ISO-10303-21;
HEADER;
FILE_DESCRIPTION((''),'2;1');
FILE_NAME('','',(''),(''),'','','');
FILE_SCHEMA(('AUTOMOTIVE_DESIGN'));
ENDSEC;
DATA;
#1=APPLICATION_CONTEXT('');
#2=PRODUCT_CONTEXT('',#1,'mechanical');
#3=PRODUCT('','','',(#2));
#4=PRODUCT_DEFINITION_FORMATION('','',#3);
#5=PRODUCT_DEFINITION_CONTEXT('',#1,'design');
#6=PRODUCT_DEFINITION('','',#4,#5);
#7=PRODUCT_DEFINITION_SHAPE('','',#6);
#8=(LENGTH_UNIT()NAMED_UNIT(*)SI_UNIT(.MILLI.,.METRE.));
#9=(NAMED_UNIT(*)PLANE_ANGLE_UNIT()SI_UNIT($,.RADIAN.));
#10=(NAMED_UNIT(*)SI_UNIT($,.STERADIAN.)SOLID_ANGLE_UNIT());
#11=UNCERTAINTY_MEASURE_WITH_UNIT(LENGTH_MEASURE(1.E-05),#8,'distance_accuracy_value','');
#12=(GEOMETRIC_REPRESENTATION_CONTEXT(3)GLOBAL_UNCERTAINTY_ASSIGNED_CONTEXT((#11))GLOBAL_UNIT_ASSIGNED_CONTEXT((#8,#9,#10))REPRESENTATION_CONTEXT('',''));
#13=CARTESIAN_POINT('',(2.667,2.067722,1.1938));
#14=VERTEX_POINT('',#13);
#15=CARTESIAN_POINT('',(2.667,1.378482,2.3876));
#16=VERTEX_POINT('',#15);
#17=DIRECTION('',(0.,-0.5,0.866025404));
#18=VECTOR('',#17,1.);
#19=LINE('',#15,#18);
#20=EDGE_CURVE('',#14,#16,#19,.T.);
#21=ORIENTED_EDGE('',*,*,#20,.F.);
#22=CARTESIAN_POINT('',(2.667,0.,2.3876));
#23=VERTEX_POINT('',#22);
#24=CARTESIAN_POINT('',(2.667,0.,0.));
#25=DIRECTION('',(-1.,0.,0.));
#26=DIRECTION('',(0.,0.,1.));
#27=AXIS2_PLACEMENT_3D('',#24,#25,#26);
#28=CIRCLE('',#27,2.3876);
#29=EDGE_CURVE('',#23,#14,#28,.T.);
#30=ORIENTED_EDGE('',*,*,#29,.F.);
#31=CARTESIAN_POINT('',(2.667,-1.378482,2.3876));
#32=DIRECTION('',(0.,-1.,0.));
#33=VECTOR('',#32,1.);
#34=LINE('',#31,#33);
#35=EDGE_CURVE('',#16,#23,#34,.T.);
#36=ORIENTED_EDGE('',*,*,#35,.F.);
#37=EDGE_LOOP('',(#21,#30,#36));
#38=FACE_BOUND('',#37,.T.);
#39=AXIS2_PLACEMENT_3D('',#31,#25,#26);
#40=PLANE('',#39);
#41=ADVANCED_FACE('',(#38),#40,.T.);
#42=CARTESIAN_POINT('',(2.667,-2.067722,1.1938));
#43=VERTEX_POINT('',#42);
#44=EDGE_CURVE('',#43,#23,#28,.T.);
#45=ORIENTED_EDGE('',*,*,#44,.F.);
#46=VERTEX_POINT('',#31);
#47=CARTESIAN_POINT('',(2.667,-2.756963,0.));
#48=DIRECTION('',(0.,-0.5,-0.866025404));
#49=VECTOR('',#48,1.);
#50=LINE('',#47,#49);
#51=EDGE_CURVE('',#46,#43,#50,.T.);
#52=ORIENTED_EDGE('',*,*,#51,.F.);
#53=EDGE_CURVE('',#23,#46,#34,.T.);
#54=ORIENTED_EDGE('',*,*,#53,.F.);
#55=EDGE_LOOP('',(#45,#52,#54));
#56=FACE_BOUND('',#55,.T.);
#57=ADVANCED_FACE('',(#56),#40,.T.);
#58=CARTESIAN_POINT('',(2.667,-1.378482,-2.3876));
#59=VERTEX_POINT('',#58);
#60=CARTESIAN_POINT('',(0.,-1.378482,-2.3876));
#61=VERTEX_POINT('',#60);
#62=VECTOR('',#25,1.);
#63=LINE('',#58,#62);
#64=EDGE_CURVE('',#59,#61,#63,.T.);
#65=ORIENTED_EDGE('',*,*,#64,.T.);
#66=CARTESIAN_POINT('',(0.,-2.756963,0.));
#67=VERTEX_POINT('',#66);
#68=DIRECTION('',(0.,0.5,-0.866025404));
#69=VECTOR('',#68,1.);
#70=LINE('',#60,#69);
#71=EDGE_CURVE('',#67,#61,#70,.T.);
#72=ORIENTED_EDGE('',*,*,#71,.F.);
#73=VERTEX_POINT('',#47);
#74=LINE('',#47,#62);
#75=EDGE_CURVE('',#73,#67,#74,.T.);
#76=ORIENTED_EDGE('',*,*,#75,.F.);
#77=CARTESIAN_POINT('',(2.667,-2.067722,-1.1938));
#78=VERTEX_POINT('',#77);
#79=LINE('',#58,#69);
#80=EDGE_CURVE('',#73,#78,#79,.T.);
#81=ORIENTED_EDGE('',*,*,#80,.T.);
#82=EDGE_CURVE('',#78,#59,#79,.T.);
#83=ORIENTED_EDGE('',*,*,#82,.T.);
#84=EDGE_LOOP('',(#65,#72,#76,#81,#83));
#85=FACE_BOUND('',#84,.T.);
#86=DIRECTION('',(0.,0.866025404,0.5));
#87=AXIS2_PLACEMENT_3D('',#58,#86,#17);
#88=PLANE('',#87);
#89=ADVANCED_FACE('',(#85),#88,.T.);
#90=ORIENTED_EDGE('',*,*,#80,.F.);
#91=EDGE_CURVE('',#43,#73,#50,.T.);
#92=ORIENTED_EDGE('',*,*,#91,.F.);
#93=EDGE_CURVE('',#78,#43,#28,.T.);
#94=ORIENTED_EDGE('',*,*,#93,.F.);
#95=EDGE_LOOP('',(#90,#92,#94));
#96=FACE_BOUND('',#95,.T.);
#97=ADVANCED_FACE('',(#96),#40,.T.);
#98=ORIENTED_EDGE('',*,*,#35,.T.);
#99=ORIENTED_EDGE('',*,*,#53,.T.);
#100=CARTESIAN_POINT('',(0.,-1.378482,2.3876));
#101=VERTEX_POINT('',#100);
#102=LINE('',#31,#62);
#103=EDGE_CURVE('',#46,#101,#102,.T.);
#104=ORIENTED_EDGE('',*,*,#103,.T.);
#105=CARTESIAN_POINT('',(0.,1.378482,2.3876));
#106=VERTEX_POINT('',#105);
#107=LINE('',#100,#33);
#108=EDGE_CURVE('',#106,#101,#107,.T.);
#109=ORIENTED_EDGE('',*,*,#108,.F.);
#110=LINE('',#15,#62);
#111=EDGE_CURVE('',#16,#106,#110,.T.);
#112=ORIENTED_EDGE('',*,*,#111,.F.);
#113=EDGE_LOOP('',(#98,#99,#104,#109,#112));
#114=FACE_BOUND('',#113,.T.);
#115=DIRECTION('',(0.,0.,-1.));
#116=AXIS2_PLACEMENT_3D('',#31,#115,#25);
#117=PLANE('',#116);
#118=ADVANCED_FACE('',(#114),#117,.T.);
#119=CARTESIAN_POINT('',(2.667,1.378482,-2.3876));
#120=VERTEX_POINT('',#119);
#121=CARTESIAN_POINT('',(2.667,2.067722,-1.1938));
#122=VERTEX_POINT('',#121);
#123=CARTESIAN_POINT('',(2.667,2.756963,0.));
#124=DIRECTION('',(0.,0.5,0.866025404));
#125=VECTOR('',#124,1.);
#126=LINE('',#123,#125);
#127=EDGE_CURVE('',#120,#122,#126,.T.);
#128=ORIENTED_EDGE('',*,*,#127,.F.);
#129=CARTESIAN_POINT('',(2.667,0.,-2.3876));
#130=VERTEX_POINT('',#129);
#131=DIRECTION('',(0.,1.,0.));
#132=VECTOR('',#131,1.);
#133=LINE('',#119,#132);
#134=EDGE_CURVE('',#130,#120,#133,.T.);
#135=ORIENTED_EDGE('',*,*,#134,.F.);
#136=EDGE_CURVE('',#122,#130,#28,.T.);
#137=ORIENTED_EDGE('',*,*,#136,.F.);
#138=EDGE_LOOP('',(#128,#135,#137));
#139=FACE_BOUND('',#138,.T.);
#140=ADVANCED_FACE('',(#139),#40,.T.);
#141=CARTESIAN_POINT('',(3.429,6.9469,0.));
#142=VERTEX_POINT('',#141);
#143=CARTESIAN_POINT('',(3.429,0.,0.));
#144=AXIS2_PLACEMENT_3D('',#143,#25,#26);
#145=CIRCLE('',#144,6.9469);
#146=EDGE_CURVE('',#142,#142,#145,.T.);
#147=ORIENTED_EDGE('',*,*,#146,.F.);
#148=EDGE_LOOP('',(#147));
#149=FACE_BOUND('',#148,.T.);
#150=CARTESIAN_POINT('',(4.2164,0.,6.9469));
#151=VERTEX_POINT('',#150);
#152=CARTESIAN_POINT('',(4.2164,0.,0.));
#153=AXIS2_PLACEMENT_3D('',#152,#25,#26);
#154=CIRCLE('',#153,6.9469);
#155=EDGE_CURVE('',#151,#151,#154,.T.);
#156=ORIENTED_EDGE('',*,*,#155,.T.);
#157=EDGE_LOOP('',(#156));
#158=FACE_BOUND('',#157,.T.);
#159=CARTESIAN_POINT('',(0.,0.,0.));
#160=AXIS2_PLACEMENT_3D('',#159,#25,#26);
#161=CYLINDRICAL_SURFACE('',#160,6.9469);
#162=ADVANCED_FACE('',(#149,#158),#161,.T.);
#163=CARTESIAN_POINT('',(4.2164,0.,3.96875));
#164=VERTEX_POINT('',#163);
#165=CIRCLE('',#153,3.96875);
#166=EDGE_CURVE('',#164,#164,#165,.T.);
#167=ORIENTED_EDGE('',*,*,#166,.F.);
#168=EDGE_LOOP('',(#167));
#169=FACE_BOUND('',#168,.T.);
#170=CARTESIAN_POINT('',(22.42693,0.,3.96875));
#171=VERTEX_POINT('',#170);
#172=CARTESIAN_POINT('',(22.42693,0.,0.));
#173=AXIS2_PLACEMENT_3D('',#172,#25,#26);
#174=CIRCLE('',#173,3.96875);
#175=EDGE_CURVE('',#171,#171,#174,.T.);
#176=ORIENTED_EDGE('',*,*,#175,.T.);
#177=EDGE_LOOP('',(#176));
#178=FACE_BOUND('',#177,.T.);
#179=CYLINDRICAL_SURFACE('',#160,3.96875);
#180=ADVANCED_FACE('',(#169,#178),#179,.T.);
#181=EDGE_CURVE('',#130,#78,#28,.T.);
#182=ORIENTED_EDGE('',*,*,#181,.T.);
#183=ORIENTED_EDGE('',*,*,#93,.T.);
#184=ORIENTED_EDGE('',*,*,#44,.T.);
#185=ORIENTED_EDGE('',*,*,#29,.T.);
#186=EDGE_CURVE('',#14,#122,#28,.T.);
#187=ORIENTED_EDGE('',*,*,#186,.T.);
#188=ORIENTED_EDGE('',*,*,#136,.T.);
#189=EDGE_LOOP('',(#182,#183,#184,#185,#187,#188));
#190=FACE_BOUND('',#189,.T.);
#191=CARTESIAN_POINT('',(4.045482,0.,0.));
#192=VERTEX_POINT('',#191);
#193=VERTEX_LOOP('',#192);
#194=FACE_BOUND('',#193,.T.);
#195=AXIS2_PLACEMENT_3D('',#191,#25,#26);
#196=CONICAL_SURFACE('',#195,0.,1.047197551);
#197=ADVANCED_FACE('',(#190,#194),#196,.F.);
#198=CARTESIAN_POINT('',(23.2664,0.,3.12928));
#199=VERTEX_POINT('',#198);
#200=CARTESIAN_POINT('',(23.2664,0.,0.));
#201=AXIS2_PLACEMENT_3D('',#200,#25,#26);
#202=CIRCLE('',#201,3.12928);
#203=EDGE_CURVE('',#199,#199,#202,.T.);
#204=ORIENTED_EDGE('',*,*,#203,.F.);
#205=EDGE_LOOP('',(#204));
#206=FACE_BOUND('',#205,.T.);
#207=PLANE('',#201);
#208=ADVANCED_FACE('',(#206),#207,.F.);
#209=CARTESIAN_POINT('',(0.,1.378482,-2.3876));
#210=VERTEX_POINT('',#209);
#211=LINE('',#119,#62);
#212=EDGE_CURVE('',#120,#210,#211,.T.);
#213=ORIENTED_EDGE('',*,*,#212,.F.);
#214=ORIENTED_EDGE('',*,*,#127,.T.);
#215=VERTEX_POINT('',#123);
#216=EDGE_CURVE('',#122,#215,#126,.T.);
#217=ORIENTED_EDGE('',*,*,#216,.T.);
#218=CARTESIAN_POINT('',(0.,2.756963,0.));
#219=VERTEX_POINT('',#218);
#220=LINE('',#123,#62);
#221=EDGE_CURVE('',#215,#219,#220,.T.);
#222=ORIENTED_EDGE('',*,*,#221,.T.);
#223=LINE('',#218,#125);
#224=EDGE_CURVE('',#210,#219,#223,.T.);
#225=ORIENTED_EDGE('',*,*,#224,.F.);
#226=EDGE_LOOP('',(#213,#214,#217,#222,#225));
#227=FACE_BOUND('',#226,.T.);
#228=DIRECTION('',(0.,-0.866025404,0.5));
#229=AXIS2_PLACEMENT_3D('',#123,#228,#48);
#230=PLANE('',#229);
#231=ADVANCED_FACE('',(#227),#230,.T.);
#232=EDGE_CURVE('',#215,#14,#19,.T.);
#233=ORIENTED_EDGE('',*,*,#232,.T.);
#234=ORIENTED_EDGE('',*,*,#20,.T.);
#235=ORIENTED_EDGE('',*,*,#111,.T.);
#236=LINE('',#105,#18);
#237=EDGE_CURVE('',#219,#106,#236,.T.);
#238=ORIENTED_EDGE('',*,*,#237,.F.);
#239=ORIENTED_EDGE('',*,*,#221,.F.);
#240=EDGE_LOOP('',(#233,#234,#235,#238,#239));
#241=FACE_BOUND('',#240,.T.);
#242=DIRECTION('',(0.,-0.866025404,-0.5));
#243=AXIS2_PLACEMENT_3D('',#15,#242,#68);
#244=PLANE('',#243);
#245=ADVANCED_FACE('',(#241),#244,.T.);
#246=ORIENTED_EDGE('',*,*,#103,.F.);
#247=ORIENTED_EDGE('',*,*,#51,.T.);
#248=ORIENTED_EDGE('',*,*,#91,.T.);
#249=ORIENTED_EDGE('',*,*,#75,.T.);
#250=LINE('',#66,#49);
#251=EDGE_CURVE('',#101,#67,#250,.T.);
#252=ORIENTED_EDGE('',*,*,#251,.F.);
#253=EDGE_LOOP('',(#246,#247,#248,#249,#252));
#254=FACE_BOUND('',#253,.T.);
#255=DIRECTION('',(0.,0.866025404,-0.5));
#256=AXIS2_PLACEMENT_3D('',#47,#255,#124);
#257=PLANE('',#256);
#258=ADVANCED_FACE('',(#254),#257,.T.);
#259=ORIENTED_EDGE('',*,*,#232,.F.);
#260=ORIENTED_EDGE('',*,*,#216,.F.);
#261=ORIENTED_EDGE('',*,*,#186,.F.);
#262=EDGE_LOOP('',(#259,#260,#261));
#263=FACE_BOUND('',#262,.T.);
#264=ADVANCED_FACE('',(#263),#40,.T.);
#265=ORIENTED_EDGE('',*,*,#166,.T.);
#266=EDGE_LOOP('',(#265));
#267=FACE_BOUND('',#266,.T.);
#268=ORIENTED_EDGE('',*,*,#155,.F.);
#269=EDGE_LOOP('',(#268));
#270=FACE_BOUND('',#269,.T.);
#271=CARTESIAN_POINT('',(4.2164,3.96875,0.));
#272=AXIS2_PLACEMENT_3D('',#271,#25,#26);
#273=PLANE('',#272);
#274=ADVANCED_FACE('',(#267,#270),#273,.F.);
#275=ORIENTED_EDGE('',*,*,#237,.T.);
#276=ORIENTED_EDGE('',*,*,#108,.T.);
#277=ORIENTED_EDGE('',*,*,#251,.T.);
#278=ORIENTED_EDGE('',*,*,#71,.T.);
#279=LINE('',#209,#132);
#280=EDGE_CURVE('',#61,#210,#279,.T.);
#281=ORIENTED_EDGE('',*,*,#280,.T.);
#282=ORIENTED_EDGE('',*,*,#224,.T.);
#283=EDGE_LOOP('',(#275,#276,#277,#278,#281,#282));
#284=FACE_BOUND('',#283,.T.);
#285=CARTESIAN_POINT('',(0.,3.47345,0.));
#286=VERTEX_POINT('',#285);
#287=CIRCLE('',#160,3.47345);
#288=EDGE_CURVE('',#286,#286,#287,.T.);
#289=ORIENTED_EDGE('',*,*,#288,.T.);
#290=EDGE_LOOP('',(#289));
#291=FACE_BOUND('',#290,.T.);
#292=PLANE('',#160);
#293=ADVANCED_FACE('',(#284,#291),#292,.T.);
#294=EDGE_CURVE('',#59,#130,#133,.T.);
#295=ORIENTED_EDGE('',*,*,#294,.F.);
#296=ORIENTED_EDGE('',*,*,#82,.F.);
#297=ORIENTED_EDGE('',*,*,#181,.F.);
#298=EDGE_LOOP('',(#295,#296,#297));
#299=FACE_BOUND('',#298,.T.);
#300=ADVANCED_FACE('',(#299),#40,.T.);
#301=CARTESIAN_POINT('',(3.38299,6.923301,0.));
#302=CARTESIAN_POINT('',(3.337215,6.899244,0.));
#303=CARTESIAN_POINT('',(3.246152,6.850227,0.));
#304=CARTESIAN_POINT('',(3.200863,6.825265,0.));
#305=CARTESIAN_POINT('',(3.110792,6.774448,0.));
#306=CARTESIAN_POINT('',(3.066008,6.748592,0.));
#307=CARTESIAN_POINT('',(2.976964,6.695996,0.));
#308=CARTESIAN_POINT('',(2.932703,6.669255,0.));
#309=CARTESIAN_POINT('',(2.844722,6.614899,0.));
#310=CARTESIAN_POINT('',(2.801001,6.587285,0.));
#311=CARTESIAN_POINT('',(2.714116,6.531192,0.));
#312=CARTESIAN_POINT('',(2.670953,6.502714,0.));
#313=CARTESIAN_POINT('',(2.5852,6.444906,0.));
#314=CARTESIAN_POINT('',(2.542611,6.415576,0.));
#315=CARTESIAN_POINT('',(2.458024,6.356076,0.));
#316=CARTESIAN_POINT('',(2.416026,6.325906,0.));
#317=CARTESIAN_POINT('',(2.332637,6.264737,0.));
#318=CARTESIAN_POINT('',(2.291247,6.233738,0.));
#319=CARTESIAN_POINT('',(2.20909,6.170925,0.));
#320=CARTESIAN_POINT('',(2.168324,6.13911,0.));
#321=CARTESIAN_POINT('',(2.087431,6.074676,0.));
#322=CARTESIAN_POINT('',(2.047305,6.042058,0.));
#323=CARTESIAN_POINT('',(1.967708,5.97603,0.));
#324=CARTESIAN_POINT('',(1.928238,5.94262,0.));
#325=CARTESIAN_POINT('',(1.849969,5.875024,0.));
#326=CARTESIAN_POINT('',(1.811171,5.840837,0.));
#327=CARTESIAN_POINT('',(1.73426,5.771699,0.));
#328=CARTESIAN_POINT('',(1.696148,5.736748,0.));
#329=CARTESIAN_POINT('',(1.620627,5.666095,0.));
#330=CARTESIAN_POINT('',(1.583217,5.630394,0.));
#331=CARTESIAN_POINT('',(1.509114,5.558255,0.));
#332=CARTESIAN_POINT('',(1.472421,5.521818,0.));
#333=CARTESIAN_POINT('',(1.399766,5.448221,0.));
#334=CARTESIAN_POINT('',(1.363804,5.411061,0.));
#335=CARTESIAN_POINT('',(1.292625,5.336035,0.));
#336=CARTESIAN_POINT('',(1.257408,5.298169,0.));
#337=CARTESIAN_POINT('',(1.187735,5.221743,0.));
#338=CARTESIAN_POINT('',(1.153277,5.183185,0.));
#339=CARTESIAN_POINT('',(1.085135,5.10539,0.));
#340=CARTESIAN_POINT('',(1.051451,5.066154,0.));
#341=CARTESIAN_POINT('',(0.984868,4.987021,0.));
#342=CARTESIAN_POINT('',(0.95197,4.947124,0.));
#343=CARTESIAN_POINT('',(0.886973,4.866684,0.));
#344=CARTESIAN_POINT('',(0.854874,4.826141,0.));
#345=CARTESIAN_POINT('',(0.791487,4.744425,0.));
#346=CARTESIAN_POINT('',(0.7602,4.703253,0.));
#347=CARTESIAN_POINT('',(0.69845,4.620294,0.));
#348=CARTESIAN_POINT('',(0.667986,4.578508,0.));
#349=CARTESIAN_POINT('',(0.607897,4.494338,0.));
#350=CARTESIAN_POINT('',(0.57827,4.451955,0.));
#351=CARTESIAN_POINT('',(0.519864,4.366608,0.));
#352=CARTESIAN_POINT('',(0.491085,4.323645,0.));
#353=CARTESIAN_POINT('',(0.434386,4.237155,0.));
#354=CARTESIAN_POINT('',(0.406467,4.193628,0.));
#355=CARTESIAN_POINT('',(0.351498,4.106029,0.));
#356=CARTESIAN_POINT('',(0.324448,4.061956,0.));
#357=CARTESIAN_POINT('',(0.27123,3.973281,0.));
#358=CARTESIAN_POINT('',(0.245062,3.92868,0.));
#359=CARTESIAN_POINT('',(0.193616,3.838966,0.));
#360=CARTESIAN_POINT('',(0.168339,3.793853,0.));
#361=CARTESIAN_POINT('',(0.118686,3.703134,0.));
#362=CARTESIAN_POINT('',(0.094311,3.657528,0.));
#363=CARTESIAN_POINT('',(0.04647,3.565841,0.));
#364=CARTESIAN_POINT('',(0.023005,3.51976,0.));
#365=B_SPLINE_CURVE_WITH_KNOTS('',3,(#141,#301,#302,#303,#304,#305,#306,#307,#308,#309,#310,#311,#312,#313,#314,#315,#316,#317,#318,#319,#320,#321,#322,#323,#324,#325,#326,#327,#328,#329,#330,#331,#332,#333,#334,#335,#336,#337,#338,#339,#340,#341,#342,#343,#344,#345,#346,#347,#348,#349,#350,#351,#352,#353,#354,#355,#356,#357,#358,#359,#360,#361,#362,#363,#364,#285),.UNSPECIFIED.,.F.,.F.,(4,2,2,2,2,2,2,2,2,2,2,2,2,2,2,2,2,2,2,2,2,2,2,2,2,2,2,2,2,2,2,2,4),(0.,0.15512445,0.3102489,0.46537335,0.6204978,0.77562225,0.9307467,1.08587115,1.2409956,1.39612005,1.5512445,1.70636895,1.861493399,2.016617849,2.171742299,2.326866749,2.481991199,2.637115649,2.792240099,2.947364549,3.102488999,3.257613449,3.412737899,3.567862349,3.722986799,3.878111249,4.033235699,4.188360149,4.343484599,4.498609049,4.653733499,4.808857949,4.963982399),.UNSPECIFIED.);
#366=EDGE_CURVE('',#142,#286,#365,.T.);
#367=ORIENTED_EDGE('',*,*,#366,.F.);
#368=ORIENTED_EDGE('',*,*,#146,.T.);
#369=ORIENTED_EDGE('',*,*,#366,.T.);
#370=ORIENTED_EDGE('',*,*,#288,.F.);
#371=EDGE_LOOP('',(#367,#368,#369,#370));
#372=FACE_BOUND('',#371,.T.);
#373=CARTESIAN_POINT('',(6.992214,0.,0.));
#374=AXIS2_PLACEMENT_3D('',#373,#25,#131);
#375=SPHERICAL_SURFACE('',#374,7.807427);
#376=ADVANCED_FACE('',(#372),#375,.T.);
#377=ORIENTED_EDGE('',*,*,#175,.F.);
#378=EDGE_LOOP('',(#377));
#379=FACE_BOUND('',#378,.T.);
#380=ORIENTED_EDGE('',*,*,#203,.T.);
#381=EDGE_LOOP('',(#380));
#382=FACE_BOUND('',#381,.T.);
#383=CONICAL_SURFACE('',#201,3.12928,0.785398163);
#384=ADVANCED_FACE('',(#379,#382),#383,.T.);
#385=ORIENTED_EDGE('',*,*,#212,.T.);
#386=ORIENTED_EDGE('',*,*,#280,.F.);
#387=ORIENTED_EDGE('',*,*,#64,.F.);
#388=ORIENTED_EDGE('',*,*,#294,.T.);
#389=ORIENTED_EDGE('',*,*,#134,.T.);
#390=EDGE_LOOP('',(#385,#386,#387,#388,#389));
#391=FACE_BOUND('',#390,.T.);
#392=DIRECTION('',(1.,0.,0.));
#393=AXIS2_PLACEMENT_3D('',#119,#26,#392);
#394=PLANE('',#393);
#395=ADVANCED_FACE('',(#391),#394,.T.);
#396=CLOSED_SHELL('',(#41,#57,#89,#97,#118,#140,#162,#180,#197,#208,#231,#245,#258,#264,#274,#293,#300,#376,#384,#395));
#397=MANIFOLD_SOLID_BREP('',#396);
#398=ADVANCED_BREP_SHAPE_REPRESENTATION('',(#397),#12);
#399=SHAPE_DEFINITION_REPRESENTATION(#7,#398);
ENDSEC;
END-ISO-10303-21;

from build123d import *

# Parameters (mm, degrees)
HEX_2_DEPTH = 2.667


with BuildPart() as part:
    # BodySke → BaseBody (revolve)
    with BuildSketch(Plane.XY, mode=Mode.PRIVATE) as basebody_sk:
        with BuildLine():
            Line((23.2664, 0), (23.2664, 3.12928))
            Line((23.2664, 3.12928), (22.42693, 3.96875))
            Line((22.42693, 3.96875), (4.2164, 3.96875))
            Line((4.2164, 3.96875), (4.2164, 6.9469))
            Line((4.2164, 6.9469), (3.429, 6.9469))
            ThreePointArc((3.429, 6.9469), (1.436093175, 5.485019032), (0, 3.47345))
            Line((0, 3.47345), (0, 0))
            Line((0, 0), (23.2664, 0))
        make_face()
    revolve(basebody_sk.sketch.rotate(Axis((0, 0, 0), (1, 0, 0)), 90), axis=Axis((0, 0, 0), (1, 0, 0)))

    # Sketch2 → PreBroach (revolve, cut)
    with BuildSketch(Plane.XY):
        Polygon((0, 2.3876), (2.667, 2.3876), (4.045481503, 0), (0, 0), align=None)
    revolve(axis=Axis((0, 0, 0), (1, 0, 0)), mode=Mode.SUBTRACT)

    # Sketch3 → Hex 2 (cut)
    with BuildSketch(Plane(origin=(0, 0, 0), x_dir=(0, 0, -1), z_dir=(1, 0, 0))):
        Polygon((-2.3876, -1.378481503), (-2.3876, 1.378481503), (0, 2.756963005), (2.3876, 1.378481503), (2.3876, -1.378481503), (0, -2.756963005), align=None)
    extrude(amount=HEX_2_DEPTH, mode=Mode.SUBTRACT)


solid = part.part
